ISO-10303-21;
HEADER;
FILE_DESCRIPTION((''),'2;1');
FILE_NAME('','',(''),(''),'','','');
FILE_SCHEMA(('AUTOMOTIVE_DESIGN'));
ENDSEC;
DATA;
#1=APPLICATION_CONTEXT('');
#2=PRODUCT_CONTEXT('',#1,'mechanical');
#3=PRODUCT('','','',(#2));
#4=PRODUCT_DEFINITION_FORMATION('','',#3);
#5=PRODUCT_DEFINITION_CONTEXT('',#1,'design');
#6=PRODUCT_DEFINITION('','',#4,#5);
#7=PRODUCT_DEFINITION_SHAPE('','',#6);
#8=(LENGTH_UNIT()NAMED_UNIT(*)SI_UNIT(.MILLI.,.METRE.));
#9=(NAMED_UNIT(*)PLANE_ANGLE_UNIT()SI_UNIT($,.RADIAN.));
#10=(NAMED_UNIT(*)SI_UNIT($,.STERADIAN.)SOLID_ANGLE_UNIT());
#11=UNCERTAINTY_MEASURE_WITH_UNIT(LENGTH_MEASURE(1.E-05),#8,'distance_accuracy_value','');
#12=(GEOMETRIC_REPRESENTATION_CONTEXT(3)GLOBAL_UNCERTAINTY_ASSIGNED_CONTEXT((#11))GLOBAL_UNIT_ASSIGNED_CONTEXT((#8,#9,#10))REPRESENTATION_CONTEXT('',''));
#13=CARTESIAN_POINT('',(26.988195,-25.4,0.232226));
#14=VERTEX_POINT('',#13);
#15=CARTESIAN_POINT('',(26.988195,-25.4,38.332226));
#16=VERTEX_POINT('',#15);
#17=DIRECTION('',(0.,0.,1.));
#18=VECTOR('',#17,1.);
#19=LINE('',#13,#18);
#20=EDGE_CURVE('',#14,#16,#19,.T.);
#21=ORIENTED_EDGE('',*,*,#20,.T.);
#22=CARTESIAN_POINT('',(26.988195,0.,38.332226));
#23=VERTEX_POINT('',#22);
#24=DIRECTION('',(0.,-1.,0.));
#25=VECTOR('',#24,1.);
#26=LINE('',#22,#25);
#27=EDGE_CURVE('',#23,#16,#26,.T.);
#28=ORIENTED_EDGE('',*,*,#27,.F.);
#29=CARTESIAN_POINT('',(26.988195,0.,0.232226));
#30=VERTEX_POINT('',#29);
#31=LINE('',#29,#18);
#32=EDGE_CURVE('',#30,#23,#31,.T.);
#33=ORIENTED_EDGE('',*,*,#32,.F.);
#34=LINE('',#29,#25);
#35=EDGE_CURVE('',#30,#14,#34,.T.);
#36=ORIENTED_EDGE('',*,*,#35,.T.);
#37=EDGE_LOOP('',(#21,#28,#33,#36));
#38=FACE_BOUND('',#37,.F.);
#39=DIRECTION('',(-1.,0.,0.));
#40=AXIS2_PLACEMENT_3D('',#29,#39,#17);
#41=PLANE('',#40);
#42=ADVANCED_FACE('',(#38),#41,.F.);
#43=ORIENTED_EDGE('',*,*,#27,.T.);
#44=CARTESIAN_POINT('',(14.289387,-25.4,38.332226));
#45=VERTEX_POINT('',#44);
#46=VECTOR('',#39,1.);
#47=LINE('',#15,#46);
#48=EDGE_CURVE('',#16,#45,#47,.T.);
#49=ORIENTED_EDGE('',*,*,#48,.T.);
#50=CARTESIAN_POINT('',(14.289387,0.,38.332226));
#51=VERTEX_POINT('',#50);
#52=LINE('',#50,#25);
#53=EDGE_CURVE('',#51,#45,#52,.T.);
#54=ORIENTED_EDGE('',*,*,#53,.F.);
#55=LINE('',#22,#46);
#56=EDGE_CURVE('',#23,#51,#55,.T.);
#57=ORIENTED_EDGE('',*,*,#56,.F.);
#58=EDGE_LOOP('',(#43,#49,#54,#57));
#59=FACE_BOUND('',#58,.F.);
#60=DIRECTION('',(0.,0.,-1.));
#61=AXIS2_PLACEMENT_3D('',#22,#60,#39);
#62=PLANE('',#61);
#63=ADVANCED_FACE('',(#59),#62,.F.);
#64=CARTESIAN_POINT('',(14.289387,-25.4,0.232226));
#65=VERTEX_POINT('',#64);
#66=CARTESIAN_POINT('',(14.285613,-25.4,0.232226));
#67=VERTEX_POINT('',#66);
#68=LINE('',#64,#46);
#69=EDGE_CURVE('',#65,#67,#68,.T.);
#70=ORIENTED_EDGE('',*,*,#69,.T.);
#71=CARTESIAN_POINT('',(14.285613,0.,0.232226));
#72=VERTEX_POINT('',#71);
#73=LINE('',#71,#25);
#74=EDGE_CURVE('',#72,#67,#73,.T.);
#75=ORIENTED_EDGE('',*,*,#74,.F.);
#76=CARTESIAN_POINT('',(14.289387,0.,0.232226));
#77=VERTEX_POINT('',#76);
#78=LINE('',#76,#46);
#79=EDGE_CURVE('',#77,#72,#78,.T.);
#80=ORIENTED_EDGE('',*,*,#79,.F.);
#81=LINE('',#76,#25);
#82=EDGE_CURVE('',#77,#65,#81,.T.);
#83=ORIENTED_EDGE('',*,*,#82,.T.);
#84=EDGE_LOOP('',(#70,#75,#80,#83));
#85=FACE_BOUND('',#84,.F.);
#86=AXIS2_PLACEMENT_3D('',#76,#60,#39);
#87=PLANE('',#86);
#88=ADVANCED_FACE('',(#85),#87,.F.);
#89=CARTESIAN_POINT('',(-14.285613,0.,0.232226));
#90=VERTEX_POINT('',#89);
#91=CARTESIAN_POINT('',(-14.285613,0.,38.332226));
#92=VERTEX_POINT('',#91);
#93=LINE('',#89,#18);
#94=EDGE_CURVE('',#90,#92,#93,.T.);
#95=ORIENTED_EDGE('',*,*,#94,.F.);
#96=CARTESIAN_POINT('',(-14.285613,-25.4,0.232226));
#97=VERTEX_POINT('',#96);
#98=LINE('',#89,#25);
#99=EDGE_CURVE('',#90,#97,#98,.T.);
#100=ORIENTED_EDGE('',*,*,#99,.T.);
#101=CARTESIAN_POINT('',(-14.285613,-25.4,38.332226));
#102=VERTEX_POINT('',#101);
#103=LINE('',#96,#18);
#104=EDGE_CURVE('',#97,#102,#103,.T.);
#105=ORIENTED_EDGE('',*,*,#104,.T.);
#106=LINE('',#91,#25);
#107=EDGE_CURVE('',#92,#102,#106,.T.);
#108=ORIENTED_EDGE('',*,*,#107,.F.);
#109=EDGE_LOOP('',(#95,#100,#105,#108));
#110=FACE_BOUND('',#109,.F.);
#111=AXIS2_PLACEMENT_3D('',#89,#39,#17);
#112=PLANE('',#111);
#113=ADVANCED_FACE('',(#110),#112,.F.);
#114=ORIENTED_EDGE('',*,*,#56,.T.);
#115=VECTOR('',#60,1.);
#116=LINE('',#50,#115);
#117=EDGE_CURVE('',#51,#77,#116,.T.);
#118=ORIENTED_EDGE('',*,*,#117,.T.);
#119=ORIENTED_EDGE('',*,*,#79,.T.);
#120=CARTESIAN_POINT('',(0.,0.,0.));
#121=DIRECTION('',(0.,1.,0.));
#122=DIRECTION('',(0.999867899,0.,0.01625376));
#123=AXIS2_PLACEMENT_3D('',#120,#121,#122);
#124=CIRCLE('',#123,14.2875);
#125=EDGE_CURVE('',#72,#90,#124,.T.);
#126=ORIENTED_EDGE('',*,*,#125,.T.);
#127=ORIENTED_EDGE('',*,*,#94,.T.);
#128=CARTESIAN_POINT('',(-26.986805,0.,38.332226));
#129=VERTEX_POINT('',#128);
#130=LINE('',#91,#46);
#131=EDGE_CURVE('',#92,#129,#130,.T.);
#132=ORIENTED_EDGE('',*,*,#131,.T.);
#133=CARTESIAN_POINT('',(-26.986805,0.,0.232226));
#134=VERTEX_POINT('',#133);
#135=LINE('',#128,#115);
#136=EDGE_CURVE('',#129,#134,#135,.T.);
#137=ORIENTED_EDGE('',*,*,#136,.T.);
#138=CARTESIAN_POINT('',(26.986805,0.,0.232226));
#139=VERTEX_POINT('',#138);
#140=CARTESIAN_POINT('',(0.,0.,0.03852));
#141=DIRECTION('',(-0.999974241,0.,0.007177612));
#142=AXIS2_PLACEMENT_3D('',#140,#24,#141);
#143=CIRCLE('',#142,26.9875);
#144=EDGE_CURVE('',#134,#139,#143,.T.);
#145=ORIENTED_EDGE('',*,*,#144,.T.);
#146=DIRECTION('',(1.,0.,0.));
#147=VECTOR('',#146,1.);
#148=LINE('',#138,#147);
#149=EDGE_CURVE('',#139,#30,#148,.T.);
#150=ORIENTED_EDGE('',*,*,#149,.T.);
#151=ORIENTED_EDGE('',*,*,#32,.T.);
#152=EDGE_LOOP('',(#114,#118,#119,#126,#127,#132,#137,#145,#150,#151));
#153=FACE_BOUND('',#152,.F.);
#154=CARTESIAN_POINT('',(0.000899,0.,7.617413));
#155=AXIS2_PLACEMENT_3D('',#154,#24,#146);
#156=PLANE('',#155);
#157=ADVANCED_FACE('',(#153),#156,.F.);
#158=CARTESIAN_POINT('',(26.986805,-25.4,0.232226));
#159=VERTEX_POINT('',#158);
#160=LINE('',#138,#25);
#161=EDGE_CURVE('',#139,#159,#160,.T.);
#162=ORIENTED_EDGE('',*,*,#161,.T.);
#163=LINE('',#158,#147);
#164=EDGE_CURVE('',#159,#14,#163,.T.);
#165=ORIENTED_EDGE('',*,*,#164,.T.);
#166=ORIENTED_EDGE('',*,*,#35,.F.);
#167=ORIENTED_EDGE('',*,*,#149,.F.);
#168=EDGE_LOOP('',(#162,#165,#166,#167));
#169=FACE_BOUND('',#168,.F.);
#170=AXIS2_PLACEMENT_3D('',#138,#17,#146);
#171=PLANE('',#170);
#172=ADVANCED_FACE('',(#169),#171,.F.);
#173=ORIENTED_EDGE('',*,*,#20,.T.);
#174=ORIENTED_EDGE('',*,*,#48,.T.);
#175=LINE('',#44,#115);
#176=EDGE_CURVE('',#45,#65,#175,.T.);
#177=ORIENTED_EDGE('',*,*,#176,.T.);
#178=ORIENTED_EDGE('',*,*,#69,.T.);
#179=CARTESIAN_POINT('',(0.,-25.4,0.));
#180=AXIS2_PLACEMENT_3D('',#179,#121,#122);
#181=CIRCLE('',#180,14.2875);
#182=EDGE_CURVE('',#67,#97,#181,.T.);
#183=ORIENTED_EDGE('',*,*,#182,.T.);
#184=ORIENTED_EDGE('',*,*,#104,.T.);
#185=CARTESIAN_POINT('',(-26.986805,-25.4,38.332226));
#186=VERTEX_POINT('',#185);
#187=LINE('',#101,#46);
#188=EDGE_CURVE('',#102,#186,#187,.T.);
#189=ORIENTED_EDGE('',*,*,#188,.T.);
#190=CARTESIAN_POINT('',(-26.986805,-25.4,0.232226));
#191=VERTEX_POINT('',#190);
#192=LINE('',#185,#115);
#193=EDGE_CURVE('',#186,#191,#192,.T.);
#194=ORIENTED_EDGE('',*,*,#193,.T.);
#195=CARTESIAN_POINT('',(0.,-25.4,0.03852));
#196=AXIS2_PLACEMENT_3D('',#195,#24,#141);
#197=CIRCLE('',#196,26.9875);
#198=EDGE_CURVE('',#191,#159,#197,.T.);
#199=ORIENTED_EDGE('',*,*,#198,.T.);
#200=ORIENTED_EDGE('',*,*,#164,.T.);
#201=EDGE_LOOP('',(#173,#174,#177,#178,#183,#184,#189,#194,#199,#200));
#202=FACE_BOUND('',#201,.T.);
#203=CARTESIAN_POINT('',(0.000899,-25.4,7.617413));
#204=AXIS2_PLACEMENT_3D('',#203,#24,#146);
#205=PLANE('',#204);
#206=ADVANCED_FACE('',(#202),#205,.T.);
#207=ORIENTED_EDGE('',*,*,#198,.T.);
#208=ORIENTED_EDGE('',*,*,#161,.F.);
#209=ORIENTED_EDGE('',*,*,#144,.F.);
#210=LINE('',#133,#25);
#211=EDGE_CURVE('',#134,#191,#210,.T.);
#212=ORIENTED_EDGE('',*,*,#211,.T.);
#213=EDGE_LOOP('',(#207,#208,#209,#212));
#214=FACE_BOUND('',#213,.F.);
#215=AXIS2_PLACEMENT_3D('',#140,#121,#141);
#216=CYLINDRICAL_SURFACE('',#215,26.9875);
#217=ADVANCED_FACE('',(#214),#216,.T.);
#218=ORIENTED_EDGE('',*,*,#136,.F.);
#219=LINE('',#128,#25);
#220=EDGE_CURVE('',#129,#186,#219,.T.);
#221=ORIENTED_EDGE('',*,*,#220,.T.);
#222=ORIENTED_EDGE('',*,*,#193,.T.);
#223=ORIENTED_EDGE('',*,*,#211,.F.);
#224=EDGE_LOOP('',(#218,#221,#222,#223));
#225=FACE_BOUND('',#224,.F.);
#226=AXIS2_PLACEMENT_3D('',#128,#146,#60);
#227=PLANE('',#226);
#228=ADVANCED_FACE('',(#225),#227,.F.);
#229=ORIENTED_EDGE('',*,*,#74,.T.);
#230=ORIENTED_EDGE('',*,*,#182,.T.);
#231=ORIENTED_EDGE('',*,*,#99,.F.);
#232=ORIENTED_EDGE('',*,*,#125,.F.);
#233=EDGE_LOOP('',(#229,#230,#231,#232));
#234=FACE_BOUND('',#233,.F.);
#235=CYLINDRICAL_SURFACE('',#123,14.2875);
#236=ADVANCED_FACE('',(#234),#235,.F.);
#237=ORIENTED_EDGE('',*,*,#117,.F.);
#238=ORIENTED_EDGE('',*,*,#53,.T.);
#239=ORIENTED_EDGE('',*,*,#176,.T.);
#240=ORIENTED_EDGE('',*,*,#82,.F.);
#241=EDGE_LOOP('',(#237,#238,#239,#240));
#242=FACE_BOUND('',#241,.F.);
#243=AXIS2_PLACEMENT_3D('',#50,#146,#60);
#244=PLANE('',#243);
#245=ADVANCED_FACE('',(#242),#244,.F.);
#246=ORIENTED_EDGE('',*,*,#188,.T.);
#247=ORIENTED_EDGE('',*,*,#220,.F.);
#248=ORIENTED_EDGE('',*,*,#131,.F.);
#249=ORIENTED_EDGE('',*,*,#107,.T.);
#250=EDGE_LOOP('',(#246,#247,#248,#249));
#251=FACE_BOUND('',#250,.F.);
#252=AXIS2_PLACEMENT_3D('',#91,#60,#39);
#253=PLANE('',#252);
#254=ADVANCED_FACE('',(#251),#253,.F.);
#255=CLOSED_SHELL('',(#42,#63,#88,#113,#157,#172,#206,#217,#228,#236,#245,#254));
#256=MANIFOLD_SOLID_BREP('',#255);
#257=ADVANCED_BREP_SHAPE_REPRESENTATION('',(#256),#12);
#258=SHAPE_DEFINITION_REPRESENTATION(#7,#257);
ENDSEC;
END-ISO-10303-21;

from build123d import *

# Parameters (mm, degrees)
F1_DEPTH = 25.4


with BuildPart() as f1:
    # F0 (on Front) → F1 (new body)
    with BuildSketch(Plane.XZ):
        with BuildLine():
            ThreePointArc((14.285613, 0.232226), (0, -14.2875), (-14.285613, 0.232226))
            Line((-14.285613, 0.232226), (-14.285613, 38.332226))
            Line((-14.285613, 38.332226), (-26.986805, 38.332226))
            Line((-26.986805, 38.332226), (-26.986805, 0.232226))
            ThreePointArc((-26.986805, 0.232226), (0, -26.94898), (26.986805, 0.232226))
            Line((26.986805, 0.232226), (26.988195, 0.232226))
            Line((26.988195, 0.232226), (26.988195, 38.332226))
            Line((26.988195, 38.332226), (14.289387, 38.332226))
            Line((14.289387, 38.332226), (14.289387, 0.232226))
            Line((14.289387, 0.232226), (14.285613, 0.232226))
        make_face()
    extrude(amount=F1_DEPTH)


solid = f1.part
